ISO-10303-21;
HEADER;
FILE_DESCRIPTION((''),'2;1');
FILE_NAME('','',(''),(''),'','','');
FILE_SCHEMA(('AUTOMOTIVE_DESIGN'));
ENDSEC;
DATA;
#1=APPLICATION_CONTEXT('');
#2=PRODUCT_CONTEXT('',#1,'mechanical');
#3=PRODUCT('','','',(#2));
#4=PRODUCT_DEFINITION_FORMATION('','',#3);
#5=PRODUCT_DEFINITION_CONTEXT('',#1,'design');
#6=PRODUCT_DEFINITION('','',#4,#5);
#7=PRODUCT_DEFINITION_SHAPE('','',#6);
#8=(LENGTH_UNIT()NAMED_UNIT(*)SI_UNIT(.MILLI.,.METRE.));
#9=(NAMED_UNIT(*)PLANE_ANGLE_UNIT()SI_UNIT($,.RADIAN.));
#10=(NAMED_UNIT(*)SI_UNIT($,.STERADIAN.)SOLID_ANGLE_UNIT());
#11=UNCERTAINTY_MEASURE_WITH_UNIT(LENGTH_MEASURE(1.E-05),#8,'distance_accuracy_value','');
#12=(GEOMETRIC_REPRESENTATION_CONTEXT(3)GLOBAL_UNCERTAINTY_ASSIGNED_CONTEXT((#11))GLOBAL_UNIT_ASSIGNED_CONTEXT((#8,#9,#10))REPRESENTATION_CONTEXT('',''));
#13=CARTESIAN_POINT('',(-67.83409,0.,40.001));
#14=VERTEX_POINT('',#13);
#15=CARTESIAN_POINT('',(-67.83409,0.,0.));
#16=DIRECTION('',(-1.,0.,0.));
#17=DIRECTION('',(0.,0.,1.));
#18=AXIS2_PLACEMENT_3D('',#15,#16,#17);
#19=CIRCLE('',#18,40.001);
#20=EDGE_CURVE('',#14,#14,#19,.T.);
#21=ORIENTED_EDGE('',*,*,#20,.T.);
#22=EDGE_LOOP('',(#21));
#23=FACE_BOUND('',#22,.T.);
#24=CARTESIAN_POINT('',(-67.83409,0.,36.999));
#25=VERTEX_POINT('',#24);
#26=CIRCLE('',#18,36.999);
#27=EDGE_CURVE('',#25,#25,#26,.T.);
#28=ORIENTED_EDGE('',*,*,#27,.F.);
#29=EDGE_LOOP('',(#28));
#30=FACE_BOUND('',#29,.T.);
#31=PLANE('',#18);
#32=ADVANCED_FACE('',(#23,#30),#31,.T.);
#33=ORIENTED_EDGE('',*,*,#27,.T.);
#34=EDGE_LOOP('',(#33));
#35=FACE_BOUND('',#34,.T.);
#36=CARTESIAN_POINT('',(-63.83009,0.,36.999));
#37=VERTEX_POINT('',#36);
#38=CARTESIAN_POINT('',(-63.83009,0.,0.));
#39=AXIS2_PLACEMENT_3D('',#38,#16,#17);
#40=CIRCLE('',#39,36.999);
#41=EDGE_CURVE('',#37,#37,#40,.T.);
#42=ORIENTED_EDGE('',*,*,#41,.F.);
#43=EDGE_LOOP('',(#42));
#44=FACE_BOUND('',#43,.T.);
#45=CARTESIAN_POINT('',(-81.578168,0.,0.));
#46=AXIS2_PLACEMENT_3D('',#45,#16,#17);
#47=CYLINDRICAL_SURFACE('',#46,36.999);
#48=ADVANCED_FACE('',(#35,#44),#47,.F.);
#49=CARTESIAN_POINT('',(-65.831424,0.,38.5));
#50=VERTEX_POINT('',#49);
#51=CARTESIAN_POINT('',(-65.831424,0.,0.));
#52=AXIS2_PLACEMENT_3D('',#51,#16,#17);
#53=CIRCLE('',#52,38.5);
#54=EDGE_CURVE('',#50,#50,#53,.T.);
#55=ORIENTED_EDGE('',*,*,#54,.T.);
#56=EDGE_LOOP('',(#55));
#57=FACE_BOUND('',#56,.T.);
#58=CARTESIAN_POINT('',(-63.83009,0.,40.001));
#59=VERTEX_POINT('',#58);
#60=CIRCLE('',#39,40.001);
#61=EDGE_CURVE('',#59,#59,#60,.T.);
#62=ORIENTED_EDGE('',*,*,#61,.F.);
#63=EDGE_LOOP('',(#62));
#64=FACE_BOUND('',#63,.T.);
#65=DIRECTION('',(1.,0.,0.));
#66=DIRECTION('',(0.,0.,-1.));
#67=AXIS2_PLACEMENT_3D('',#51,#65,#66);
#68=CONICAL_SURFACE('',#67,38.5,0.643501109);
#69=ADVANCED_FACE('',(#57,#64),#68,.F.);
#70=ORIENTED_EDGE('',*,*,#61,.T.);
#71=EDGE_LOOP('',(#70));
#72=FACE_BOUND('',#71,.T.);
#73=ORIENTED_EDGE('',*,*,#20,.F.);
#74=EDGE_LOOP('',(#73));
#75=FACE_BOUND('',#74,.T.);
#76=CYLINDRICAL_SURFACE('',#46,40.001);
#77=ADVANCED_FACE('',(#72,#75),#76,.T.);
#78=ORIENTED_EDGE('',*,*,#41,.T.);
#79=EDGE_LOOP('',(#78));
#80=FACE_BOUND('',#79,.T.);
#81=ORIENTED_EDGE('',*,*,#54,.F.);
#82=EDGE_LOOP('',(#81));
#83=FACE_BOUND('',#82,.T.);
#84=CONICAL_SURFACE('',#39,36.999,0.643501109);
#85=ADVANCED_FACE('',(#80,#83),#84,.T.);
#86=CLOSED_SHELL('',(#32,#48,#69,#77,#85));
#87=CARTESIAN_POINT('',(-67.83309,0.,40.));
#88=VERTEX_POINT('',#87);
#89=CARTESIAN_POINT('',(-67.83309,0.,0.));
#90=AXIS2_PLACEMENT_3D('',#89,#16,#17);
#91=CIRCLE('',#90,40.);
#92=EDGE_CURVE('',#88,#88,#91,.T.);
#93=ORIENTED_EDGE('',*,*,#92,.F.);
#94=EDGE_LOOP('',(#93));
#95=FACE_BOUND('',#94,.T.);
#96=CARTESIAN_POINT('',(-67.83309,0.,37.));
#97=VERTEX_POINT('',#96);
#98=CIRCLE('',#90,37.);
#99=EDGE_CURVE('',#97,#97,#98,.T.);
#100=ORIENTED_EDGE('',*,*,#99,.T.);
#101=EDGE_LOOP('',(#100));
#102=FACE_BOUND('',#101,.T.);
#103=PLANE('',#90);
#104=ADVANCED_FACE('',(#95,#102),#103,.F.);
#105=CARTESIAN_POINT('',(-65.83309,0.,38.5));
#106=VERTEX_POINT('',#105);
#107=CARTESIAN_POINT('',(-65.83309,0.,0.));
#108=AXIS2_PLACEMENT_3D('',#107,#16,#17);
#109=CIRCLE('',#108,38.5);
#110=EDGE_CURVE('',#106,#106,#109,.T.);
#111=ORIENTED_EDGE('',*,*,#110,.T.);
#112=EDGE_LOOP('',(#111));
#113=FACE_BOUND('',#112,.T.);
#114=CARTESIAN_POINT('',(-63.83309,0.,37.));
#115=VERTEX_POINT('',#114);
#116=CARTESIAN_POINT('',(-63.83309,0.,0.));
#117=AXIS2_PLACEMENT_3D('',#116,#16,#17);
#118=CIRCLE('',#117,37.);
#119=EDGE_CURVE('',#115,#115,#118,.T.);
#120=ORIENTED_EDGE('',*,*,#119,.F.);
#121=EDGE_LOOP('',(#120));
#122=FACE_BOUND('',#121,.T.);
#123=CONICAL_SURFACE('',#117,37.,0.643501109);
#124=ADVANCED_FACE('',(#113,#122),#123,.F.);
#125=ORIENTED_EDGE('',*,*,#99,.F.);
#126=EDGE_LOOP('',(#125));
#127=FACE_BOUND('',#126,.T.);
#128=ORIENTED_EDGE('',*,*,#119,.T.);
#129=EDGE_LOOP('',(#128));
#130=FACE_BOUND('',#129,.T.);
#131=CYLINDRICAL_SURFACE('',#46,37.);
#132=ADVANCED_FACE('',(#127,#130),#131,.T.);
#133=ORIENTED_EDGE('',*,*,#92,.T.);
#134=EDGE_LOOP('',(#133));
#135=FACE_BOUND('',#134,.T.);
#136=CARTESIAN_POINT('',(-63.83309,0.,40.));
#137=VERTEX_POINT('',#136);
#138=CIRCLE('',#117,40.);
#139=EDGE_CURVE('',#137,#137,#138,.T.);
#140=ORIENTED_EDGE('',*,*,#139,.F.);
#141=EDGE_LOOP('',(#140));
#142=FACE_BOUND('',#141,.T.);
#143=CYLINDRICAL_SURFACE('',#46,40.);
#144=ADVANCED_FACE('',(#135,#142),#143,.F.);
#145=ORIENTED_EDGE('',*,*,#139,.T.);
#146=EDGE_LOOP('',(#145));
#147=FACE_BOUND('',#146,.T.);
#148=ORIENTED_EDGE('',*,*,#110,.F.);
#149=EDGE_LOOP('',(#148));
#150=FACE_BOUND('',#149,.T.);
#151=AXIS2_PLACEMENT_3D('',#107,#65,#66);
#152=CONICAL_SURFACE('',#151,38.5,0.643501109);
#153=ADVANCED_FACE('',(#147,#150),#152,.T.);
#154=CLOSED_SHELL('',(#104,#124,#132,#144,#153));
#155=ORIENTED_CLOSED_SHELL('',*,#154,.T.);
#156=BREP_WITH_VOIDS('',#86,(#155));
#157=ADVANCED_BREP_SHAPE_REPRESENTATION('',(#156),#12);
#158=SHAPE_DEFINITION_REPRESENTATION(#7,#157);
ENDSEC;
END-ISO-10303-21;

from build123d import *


with BuildPart() as part:
    # Sketch1 → Revolve-Thin4 (revolve)
    with BuildSketch(Plane.XY, mode=Mode.PRIVATE) as revolve_thin4_sk:
        Polygon((-65.831423575, -38.5), (-63.830090242, -36.999), (-67.834090242, -36.999), (-67.834090242, -40.001), (-63.830090242, -40.001), align=None)
        Polygon((-65.833090242, -38.5), (-63.833090242, -37), (-67.833090242, -37), (-67.833090242, -40), (-63.833090242, -40), align=None, mode=Mode.SUBTRACT)
    revolve(revolve_thin4_sk.sketch.rotate(Axis((-81.578167515, 0, 0), (1, 0, 0)), 270), axis=Axis((-81.578167515, 0, 0), (1, 0, 0)))


solid = part.part
